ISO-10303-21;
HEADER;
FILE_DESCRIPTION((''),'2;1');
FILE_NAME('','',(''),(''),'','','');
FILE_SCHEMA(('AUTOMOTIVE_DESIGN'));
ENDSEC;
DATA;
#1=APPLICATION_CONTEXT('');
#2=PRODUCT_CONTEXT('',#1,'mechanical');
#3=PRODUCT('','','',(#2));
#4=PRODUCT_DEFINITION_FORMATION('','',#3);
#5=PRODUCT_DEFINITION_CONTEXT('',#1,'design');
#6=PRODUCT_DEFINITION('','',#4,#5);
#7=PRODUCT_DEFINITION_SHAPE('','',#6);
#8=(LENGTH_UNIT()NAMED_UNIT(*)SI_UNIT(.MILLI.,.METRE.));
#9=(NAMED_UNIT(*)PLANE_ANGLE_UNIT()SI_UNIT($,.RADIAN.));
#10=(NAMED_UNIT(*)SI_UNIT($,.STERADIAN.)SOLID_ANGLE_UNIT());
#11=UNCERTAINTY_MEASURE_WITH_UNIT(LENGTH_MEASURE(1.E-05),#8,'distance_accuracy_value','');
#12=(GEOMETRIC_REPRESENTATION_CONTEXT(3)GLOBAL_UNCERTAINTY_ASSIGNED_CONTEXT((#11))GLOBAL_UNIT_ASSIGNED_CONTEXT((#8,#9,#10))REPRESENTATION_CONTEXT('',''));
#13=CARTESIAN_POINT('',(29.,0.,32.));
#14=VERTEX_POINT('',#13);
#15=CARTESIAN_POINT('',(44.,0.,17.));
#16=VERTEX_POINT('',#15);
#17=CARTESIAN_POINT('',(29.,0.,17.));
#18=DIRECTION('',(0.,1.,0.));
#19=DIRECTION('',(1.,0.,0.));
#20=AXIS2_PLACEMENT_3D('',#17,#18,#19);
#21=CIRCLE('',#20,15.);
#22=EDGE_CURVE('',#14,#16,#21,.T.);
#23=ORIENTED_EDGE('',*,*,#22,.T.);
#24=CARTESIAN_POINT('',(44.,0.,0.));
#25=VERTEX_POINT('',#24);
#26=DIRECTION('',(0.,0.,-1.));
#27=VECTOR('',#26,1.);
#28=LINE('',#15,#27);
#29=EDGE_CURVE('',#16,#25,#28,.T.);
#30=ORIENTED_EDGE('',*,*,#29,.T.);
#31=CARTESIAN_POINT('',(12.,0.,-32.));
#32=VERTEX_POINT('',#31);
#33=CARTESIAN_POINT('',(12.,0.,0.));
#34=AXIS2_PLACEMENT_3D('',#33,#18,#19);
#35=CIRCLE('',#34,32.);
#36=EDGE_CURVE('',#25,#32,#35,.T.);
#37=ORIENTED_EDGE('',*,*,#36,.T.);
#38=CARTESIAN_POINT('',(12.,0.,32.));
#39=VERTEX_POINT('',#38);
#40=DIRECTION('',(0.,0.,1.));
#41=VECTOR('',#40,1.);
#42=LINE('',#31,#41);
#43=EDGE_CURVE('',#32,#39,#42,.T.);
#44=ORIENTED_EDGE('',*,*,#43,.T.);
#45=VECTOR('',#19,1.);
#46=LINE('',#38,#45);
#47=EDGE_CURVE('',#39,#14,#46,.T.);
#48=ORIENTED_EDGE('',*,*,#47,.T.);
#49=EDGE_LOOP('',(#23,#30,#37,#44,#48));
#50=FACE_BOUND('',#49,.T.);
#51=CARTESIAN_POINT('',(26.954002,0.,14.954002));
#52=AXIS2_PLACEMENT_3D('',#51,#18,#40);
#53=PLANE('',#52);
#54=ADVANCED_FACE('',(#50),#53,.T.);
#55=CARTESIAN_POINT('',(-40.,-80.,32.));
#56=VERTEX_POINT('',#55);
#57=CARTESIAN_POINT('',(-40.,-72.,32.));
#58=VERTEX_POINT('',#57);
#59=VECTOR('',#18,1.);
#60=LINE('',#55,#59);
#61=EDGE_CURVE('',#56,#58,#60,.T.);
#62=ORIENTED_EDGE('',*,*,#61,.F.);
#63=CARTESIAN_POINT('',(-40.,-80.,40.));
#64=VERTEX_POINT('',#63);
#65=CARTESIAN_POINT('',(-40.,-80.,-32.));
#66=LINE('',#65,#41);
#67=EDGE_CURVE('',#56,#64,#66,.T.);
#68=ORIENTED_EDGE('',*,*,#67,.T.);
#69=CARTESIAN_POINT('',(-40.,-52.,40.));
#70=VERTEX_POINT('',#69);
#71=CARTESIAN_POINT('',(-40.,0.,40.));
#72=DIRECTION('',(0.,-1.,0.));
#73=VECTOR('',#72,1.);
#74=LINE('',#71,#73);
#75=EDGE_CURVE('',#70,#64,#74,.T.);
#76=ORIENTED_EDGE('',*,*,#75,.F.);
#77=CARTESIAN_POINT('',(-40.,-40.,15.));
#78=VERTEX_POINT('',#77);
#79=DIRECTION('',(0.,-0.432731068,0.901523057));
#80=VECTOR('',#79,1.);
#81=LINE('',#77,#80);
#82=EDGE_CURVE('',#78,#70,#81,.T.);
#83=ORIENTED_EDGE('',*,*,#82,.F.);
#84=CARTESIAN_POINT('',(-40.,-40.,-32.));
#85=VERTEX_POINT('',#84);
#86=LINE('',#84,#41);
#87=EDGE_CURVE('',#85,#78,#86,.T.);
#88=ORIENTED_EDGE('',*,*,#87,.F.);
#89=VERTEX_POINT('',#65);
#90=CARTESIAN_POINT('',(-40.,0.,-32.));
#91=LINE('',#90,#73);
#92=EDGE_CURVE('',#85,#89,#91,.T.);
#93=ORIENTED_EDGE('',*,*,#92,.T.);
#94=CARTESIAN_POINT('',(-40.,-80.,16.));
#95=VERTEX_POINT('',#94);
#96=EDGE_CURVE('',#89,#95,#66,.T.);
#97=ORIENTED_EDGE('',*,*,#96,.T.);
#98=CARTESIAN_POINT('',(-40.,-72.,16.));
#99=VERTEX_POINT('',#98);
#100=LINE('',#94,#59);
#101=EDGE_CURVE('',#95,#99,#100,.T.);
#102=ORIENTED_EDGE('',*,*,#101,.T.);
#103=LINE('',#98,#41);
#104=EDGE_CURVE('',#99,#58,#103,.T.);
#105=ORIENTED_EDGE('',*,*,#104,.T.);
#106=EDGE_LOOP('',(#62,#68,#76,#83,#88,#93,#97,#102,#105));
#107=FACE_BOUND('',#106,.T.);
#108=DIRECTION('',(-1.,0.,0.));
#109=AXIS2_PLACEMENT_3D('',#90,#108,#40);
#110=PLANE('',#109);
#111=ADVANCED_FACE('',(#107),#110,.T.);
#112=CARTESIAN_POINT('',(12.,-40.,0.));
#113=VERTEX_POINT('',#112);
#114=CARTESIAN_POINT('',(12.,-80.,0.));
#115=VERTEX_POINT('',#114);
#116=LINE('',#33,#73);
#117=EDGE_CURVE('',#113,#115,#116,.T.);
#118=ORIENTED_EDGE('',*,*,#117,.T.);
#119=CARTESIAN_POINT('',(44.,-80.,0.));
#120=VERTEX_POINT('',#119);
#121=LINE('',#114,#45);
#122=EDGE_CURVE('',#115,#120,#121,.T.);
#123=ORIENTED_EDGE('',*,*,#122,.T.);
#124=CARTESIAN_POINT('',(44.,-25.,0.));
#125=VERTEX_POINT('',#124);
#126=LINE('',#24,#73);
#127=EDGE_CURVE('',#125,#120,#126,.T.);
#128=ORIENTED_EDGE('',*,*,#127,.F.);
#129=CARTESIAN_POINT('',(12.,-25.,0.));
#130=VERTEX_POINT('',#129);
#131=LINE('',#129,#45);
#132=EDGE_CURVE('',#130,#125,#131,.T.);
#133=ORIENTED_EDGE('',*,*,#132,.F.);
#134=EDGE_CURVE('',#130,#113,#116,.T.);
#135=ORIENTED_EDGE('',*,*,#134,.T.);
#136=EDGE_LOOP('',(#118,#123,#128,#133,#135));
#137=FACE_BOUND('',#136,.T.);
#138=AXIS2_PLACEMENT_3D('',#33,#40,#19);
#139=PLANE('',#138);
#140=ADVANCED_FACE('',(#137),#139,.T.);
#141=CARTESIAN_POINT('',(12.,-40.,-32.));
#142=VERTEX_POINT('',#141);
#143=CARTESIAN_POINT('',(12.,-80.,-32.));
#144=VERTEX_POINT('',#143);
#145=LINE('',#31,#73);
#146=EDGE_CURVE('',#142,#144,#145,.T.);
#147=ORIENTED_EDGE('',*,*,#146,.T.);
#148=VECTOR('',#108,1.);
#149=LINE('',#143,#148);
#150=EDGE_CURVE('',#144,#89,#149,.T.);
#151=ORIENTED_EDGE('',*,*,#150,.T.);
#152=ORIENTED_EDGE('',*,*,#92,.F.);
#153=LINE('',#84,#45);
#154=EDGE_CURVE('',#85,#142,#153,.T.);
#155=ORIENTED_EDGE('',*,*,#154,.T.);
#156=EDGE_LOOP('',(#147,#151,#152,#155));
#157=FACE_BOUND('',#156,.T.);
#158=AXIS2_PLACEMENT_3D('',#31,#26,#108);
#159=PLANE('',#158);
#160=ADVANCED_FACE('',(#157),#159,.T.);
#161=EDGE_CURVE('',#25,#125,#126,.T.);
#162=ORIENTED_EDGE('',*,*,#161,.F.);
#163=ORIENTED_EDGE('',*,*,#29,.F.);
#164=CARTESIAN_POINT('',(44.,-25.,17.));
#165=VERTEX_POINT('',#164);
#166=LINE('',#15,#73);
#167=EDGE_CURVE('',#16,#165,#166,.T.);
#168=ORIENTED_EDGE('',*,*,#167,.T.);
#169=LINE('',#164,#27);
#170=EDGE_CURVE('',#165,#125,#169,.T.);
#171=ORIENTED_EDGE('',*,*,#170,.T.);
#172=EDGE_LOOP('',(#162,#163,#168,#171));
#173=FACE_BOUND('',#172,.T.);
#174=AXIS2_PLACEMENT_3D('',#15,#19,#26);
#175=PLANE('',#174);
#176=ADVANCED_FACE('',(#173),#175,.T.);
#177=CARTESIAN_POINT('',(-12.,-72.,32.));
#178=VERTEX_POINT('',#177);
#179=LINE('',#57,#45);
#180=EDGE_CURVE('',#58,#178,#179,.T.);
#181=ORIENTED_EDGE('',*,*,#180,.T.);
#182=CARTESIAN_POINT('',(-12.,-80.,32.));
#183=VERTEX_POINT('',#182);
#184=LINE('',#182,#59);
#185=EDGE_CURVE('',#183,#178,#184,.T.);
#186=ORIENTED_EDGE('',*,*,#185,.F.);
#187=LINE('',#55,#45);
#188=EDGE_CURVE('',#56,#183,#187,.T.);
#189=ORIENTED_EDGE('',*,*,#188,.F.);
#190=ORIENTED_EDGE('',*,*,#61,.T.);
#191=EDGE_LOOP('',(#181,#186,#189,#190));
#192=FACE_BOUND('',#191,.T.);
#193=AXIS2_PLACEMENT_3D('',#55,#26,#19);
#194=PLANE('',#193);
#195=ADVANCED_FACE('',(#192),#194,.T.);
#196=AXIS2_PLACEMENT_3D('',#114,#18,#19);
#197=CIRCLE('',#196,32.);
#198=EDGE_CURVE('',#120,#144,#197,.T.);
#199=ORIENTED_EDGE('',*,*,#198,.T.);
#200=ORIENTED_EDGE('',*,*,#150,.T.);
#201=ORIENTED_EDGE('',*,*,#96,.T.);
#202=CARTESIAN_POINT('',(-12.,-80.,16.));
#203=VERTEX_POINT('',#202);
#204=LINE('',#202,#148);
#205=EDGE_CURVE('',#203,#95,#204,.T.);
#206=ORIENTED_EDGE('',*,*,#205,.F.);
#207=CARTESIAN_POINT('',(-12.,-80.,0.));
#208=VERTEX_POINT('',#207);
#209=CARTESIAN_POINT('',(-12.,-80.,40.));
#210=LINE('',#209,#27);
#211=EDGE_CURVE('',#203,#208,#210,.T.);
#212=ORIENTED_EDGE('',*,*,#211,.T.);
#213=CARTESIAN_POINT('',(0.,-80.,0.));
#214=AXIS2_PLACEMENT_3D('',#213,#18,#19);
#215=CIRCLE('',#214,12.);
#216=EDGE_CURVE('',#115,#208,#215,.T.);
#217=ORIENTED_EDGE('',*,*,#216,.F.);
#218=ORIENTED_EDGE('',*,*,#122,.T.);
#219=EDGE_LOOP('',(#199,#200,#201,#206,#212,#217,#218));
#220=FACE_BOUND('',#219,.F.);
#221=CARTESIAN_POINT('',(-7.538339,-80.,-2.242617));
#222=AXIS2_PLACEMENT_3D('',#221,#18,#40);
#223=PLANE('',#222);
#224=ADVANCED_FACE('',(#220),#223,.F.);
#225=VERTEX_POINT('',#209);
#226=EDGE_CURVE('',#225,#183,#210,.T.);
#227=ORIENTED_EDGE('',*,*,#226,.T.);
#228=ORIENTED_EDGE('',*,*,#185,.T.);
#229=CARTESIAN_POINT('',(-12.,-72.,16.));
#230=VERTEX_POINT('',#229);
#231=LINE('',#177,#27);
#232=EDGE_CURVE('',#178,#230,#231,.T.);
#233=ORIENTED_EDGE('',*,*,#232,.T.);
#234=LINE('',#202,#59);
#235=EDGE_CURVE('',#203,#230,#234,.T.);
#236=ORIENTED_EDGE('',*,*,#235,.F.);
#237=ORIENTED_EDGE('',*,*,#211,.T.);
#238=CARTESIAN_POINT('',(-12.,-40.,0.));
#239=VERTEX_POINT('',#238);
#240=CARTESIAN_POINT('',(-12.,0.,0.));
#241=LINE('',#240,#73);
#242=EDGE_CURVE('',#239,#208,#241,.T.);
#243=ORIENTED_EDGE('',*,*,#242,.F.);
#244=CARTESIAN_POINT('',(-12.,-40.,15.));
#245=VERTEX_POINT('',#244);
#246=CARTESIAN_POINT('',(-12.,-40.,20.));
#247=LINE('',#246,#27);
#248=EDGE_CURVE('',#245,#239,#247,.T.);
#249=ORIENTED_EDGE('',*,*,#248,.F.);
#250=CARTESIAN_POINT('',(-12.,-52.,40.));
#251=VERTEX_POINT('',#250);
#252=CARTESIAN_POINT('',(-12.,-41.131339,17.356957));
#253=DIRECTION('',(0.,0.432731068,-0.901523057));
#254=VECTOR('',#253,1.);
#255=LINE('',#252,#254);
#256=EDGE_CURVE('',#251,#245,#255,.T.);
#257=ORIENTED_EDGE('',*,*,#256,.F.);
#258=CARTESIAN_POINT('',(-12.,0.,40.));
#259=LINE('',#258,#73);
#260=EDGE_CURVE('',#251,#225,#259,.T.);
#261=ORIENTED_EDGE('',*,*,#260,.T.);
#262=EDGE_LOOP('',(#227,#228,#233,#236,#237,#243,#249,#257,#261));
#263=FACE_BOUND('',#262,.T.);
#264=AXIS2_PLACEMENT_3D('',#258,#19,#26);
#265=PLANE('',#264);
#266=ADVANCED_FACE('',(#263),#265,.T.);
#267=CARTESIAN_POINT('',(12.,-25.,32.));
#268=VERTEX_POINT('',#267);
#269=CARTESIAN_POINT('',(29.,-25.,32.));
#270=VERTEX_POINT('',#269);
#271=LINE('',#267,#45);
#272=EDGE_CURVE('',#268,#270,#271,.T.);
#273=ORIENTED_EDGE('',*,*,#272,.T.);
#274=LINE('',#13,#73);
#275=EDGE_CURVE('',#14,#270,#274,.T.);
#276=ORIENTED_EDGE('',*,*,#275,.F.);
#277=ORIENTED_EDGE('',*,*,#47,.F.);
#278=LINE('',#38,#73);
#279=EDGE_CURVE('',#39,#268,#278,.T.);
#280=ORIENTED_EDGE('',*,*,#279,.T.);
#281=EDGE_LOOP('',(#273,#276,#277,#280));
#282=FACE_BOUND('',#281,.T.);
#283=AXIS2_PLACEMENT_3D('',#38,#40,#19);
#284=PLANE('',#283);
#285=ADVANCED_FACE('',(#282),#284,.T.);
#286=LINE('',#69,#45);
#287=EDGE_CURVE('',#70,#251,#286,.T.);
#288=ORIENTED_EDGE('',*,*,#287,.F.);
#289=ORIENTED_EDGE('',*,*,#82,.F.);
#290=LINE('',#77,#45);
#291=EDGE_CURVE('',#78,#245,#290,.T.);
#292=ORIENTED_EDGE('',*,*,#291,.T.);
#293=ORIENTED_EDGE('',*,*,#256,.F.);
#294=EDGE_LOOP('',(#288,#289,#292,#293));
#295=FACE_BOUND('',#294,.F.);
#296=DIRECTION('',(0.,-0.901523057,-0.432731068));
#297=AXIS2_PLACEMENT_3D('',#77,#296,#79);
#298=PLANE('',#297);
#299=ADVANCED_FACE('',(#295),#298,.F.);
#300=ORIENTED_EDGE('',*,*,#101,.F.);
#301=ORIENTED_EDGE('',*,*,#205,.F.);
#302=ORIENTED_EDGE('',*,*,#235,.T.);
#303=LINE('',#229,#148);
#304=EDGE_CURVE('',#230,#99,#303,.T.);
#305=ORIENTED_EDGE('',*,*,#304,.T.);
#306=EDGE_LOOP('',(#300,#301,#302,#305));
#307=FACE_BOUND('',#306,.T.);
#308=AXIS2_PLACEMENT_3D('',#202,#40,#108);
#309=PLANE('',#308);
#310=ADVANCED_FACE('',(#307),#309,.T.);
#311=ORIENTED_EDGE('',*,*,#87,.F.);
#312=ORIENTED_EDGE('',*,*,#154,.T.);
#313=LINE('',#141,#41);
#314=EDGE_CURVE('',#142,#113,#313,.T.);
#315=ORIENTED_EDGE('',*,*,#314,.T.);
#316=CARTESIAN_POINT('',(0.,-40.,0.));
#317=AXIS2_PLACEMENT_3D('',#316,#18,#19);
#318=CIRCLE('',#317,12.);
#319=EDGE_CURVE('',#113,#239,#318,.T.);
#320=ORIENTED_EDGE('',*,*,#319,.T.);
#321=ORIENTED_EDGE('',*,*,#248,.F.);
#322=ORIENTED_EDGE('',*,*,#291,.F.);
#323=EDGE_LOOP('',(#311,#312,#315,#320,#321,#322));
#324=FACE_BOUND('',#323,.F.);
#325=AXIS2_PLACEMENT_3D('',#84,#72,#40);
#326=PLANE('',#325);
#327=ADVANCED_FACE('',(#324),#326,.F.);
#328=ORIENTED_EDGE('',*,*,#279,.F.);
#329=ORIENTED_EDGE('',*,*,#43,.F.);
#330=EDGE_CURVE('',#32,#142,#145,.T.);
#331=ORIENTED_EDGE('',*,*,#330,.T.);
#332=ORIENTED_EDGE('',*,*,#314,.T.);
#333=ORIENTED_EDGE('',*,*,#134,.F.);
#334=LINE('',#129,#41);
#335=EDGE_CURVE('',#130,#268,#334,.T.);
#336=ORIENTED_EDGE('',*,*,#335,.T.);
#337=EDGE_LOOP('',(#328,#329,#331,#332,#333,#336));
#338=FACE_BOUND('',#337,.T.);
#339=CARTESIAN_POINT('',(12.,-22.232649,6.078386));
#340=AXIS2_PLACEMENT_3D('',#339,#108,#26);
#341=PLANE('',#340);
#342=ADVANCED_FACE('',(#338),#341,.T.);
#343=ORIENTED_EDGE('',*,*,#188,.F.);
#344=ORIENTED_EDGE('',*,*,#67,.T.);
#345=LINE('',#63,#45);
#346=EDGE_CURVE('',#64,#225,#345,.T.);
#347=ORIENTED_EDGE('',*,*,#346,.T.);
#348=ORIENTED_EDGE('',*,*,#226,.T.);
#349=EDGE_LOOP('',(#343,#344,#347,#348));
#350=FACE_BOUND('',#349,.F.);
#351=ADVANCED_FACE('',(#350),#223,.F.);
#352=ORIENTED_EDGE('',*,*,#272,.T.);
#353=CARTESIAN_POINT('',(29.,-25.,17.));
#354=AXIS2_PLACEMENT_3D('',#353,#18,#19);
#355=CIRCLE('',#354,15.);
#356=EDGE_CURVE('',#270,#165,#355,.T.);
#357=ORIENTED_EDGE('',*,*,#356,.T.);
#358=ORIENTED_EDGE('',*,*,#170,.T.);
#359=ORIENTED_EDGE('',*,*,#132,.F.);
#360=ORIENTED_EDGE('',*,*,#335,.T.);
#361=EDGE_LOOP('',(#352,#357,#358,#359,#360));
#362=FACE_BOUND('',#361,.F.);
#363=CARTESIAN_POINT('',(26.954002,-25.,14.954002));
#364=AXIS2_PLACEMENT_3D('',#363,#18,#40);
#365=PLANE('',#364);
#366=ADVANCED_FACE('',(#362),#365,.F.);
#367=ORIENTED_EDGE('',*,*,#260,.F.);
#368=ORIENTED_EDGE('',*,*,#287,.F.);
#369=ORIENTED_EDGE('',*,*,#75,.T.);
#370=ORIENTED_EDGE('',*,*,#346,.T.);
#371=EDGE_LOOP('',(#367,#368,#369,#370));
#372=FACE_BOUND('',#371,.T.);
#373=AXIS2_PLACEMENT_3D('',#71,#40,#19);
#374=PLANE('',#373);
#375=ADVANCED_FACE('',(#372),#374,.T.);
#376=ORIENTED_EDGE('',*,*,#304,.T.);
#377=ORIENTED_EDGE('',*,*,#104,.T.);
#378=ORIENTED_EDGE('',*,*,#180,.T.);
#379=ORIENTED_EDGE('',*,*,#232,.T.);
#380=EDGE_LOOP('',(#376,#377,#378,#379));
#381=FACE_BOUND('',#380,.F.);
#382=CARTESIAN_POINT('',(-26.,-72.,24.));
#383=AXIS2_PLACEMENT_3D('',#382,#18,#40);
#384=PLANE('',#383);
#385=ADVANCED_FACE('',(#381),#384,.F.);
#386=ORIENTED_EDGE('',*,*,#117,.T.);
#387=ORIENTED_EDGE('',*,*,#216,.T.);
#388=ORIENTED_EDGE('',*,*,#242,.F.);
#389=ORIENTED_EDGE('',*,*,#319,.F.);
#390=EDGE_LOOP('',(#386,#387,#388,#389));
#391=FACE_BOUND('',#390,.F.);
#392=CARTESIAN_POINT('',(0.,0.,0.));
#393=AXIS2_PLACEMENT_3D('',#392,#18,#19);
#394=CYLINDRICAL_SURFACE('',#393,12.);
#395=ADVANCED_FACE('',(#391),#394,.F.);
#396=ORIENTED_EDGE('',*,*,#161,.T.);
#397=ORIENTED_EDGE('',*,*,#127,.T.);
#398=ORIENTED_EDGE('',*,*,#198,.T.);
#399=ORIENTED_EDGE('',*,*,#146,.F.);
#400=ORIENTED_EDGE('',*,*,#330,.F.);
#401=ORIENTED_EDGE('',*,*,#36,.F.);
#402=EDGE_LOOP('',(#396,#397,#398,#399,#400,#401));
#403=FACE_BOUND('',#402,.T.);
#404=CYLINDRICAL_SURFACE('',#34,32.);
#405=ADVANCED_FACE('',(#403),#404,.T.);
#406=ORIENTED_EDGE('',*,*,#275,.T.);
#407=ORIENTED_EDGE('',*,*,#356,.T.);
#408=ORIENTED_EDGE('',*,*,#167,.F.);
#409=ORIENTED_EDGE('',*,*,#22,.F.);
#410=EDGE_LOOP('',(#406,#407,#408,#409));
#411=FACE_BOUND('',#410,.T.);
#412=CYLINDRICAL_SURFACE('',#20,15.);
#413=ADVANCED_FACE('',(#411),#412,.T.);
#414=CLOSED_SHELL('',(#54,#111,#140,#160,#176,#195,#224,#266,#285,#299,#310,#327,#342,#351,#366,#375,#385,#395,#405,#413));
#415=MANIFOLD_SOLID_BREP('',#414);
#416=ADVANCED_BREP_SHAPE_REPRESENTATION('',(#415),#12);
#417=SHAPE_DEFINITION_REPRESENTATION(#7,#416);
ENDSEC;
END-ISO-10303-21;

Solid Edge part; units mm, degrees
sketch "Sketch1" plane through (0, 0, 0) normal (0, -1, 0) x (1, 0, 0)
  line L0 (44, 17) -> (44, 0)
  line L1 (12, 0) -> (44, 0)
  line L2 (12, 0) -> (12, 32)
  line L3 (12, 32) -> (29, 32)
  arc A0 (29, 32) -> (44, 17) centre (29, 17) cw
extrude "Protrusion1" add sketch "Sketch1" along normal blind 25
sketch "Sketch2" plane through (0, 0, 0) normal (0, -1, 0) x (1, 0, 0)
  arc A0 (44, 0) -> (12, -32) centre (12, 0) cw
  line L0 (12, -32) -> (-40, -32)
  line L1 (-40, -32) -> (-40, 40)
  line L2 (-40, 40) -> (-12, 40)
  line L3 (-12, 40) -> (-12, 0)
  arc A1 (12, 0) -> (-12, 0) centre (0, 0) cw
  line L4 (12, 0) -> (44, 0)
extrude "ExtrudedProtrusion_2" add sketch "Sketch2" along normal blind 80
sketch "Sketch3" plane through (2, -80, 4) normal (0, -1, 0) x (1, 0, 0)
  line L0 (-14, 12) -> (-42, 12)
  line L1 (-42, 12) -> (-42, 28)
  line L2 (-42, 28) -> (-14, 28)
  line L3 (-14, 28) -> (-14, 12)
extrude "ExtrudedCutout_1" cut sketch "Sketch3" against normal blind 8
sketch "Sketch4" plane through (-40, -40, 4) normal (-1, 0, 0) x (0, -1, 0)
  line L0 (0, -4) -> (0, 11)
  line L1 (0, 11) -> (12, 36)
  line L2 (0, 36) -> (12, 36)
  line L3 (-40, 36) -> (0, 36)
  line L4 (-40, 36) -> (-40, -4)
  line L5 (-40, -4) -> (-40, -36)
  line L6 (-40, -36) -> (0, -36)
  line L7 (0, -36) -> (0, -4)
extrude "ExtrudedCutout_2" cut sketch "Sketch4" against normal blind 52
